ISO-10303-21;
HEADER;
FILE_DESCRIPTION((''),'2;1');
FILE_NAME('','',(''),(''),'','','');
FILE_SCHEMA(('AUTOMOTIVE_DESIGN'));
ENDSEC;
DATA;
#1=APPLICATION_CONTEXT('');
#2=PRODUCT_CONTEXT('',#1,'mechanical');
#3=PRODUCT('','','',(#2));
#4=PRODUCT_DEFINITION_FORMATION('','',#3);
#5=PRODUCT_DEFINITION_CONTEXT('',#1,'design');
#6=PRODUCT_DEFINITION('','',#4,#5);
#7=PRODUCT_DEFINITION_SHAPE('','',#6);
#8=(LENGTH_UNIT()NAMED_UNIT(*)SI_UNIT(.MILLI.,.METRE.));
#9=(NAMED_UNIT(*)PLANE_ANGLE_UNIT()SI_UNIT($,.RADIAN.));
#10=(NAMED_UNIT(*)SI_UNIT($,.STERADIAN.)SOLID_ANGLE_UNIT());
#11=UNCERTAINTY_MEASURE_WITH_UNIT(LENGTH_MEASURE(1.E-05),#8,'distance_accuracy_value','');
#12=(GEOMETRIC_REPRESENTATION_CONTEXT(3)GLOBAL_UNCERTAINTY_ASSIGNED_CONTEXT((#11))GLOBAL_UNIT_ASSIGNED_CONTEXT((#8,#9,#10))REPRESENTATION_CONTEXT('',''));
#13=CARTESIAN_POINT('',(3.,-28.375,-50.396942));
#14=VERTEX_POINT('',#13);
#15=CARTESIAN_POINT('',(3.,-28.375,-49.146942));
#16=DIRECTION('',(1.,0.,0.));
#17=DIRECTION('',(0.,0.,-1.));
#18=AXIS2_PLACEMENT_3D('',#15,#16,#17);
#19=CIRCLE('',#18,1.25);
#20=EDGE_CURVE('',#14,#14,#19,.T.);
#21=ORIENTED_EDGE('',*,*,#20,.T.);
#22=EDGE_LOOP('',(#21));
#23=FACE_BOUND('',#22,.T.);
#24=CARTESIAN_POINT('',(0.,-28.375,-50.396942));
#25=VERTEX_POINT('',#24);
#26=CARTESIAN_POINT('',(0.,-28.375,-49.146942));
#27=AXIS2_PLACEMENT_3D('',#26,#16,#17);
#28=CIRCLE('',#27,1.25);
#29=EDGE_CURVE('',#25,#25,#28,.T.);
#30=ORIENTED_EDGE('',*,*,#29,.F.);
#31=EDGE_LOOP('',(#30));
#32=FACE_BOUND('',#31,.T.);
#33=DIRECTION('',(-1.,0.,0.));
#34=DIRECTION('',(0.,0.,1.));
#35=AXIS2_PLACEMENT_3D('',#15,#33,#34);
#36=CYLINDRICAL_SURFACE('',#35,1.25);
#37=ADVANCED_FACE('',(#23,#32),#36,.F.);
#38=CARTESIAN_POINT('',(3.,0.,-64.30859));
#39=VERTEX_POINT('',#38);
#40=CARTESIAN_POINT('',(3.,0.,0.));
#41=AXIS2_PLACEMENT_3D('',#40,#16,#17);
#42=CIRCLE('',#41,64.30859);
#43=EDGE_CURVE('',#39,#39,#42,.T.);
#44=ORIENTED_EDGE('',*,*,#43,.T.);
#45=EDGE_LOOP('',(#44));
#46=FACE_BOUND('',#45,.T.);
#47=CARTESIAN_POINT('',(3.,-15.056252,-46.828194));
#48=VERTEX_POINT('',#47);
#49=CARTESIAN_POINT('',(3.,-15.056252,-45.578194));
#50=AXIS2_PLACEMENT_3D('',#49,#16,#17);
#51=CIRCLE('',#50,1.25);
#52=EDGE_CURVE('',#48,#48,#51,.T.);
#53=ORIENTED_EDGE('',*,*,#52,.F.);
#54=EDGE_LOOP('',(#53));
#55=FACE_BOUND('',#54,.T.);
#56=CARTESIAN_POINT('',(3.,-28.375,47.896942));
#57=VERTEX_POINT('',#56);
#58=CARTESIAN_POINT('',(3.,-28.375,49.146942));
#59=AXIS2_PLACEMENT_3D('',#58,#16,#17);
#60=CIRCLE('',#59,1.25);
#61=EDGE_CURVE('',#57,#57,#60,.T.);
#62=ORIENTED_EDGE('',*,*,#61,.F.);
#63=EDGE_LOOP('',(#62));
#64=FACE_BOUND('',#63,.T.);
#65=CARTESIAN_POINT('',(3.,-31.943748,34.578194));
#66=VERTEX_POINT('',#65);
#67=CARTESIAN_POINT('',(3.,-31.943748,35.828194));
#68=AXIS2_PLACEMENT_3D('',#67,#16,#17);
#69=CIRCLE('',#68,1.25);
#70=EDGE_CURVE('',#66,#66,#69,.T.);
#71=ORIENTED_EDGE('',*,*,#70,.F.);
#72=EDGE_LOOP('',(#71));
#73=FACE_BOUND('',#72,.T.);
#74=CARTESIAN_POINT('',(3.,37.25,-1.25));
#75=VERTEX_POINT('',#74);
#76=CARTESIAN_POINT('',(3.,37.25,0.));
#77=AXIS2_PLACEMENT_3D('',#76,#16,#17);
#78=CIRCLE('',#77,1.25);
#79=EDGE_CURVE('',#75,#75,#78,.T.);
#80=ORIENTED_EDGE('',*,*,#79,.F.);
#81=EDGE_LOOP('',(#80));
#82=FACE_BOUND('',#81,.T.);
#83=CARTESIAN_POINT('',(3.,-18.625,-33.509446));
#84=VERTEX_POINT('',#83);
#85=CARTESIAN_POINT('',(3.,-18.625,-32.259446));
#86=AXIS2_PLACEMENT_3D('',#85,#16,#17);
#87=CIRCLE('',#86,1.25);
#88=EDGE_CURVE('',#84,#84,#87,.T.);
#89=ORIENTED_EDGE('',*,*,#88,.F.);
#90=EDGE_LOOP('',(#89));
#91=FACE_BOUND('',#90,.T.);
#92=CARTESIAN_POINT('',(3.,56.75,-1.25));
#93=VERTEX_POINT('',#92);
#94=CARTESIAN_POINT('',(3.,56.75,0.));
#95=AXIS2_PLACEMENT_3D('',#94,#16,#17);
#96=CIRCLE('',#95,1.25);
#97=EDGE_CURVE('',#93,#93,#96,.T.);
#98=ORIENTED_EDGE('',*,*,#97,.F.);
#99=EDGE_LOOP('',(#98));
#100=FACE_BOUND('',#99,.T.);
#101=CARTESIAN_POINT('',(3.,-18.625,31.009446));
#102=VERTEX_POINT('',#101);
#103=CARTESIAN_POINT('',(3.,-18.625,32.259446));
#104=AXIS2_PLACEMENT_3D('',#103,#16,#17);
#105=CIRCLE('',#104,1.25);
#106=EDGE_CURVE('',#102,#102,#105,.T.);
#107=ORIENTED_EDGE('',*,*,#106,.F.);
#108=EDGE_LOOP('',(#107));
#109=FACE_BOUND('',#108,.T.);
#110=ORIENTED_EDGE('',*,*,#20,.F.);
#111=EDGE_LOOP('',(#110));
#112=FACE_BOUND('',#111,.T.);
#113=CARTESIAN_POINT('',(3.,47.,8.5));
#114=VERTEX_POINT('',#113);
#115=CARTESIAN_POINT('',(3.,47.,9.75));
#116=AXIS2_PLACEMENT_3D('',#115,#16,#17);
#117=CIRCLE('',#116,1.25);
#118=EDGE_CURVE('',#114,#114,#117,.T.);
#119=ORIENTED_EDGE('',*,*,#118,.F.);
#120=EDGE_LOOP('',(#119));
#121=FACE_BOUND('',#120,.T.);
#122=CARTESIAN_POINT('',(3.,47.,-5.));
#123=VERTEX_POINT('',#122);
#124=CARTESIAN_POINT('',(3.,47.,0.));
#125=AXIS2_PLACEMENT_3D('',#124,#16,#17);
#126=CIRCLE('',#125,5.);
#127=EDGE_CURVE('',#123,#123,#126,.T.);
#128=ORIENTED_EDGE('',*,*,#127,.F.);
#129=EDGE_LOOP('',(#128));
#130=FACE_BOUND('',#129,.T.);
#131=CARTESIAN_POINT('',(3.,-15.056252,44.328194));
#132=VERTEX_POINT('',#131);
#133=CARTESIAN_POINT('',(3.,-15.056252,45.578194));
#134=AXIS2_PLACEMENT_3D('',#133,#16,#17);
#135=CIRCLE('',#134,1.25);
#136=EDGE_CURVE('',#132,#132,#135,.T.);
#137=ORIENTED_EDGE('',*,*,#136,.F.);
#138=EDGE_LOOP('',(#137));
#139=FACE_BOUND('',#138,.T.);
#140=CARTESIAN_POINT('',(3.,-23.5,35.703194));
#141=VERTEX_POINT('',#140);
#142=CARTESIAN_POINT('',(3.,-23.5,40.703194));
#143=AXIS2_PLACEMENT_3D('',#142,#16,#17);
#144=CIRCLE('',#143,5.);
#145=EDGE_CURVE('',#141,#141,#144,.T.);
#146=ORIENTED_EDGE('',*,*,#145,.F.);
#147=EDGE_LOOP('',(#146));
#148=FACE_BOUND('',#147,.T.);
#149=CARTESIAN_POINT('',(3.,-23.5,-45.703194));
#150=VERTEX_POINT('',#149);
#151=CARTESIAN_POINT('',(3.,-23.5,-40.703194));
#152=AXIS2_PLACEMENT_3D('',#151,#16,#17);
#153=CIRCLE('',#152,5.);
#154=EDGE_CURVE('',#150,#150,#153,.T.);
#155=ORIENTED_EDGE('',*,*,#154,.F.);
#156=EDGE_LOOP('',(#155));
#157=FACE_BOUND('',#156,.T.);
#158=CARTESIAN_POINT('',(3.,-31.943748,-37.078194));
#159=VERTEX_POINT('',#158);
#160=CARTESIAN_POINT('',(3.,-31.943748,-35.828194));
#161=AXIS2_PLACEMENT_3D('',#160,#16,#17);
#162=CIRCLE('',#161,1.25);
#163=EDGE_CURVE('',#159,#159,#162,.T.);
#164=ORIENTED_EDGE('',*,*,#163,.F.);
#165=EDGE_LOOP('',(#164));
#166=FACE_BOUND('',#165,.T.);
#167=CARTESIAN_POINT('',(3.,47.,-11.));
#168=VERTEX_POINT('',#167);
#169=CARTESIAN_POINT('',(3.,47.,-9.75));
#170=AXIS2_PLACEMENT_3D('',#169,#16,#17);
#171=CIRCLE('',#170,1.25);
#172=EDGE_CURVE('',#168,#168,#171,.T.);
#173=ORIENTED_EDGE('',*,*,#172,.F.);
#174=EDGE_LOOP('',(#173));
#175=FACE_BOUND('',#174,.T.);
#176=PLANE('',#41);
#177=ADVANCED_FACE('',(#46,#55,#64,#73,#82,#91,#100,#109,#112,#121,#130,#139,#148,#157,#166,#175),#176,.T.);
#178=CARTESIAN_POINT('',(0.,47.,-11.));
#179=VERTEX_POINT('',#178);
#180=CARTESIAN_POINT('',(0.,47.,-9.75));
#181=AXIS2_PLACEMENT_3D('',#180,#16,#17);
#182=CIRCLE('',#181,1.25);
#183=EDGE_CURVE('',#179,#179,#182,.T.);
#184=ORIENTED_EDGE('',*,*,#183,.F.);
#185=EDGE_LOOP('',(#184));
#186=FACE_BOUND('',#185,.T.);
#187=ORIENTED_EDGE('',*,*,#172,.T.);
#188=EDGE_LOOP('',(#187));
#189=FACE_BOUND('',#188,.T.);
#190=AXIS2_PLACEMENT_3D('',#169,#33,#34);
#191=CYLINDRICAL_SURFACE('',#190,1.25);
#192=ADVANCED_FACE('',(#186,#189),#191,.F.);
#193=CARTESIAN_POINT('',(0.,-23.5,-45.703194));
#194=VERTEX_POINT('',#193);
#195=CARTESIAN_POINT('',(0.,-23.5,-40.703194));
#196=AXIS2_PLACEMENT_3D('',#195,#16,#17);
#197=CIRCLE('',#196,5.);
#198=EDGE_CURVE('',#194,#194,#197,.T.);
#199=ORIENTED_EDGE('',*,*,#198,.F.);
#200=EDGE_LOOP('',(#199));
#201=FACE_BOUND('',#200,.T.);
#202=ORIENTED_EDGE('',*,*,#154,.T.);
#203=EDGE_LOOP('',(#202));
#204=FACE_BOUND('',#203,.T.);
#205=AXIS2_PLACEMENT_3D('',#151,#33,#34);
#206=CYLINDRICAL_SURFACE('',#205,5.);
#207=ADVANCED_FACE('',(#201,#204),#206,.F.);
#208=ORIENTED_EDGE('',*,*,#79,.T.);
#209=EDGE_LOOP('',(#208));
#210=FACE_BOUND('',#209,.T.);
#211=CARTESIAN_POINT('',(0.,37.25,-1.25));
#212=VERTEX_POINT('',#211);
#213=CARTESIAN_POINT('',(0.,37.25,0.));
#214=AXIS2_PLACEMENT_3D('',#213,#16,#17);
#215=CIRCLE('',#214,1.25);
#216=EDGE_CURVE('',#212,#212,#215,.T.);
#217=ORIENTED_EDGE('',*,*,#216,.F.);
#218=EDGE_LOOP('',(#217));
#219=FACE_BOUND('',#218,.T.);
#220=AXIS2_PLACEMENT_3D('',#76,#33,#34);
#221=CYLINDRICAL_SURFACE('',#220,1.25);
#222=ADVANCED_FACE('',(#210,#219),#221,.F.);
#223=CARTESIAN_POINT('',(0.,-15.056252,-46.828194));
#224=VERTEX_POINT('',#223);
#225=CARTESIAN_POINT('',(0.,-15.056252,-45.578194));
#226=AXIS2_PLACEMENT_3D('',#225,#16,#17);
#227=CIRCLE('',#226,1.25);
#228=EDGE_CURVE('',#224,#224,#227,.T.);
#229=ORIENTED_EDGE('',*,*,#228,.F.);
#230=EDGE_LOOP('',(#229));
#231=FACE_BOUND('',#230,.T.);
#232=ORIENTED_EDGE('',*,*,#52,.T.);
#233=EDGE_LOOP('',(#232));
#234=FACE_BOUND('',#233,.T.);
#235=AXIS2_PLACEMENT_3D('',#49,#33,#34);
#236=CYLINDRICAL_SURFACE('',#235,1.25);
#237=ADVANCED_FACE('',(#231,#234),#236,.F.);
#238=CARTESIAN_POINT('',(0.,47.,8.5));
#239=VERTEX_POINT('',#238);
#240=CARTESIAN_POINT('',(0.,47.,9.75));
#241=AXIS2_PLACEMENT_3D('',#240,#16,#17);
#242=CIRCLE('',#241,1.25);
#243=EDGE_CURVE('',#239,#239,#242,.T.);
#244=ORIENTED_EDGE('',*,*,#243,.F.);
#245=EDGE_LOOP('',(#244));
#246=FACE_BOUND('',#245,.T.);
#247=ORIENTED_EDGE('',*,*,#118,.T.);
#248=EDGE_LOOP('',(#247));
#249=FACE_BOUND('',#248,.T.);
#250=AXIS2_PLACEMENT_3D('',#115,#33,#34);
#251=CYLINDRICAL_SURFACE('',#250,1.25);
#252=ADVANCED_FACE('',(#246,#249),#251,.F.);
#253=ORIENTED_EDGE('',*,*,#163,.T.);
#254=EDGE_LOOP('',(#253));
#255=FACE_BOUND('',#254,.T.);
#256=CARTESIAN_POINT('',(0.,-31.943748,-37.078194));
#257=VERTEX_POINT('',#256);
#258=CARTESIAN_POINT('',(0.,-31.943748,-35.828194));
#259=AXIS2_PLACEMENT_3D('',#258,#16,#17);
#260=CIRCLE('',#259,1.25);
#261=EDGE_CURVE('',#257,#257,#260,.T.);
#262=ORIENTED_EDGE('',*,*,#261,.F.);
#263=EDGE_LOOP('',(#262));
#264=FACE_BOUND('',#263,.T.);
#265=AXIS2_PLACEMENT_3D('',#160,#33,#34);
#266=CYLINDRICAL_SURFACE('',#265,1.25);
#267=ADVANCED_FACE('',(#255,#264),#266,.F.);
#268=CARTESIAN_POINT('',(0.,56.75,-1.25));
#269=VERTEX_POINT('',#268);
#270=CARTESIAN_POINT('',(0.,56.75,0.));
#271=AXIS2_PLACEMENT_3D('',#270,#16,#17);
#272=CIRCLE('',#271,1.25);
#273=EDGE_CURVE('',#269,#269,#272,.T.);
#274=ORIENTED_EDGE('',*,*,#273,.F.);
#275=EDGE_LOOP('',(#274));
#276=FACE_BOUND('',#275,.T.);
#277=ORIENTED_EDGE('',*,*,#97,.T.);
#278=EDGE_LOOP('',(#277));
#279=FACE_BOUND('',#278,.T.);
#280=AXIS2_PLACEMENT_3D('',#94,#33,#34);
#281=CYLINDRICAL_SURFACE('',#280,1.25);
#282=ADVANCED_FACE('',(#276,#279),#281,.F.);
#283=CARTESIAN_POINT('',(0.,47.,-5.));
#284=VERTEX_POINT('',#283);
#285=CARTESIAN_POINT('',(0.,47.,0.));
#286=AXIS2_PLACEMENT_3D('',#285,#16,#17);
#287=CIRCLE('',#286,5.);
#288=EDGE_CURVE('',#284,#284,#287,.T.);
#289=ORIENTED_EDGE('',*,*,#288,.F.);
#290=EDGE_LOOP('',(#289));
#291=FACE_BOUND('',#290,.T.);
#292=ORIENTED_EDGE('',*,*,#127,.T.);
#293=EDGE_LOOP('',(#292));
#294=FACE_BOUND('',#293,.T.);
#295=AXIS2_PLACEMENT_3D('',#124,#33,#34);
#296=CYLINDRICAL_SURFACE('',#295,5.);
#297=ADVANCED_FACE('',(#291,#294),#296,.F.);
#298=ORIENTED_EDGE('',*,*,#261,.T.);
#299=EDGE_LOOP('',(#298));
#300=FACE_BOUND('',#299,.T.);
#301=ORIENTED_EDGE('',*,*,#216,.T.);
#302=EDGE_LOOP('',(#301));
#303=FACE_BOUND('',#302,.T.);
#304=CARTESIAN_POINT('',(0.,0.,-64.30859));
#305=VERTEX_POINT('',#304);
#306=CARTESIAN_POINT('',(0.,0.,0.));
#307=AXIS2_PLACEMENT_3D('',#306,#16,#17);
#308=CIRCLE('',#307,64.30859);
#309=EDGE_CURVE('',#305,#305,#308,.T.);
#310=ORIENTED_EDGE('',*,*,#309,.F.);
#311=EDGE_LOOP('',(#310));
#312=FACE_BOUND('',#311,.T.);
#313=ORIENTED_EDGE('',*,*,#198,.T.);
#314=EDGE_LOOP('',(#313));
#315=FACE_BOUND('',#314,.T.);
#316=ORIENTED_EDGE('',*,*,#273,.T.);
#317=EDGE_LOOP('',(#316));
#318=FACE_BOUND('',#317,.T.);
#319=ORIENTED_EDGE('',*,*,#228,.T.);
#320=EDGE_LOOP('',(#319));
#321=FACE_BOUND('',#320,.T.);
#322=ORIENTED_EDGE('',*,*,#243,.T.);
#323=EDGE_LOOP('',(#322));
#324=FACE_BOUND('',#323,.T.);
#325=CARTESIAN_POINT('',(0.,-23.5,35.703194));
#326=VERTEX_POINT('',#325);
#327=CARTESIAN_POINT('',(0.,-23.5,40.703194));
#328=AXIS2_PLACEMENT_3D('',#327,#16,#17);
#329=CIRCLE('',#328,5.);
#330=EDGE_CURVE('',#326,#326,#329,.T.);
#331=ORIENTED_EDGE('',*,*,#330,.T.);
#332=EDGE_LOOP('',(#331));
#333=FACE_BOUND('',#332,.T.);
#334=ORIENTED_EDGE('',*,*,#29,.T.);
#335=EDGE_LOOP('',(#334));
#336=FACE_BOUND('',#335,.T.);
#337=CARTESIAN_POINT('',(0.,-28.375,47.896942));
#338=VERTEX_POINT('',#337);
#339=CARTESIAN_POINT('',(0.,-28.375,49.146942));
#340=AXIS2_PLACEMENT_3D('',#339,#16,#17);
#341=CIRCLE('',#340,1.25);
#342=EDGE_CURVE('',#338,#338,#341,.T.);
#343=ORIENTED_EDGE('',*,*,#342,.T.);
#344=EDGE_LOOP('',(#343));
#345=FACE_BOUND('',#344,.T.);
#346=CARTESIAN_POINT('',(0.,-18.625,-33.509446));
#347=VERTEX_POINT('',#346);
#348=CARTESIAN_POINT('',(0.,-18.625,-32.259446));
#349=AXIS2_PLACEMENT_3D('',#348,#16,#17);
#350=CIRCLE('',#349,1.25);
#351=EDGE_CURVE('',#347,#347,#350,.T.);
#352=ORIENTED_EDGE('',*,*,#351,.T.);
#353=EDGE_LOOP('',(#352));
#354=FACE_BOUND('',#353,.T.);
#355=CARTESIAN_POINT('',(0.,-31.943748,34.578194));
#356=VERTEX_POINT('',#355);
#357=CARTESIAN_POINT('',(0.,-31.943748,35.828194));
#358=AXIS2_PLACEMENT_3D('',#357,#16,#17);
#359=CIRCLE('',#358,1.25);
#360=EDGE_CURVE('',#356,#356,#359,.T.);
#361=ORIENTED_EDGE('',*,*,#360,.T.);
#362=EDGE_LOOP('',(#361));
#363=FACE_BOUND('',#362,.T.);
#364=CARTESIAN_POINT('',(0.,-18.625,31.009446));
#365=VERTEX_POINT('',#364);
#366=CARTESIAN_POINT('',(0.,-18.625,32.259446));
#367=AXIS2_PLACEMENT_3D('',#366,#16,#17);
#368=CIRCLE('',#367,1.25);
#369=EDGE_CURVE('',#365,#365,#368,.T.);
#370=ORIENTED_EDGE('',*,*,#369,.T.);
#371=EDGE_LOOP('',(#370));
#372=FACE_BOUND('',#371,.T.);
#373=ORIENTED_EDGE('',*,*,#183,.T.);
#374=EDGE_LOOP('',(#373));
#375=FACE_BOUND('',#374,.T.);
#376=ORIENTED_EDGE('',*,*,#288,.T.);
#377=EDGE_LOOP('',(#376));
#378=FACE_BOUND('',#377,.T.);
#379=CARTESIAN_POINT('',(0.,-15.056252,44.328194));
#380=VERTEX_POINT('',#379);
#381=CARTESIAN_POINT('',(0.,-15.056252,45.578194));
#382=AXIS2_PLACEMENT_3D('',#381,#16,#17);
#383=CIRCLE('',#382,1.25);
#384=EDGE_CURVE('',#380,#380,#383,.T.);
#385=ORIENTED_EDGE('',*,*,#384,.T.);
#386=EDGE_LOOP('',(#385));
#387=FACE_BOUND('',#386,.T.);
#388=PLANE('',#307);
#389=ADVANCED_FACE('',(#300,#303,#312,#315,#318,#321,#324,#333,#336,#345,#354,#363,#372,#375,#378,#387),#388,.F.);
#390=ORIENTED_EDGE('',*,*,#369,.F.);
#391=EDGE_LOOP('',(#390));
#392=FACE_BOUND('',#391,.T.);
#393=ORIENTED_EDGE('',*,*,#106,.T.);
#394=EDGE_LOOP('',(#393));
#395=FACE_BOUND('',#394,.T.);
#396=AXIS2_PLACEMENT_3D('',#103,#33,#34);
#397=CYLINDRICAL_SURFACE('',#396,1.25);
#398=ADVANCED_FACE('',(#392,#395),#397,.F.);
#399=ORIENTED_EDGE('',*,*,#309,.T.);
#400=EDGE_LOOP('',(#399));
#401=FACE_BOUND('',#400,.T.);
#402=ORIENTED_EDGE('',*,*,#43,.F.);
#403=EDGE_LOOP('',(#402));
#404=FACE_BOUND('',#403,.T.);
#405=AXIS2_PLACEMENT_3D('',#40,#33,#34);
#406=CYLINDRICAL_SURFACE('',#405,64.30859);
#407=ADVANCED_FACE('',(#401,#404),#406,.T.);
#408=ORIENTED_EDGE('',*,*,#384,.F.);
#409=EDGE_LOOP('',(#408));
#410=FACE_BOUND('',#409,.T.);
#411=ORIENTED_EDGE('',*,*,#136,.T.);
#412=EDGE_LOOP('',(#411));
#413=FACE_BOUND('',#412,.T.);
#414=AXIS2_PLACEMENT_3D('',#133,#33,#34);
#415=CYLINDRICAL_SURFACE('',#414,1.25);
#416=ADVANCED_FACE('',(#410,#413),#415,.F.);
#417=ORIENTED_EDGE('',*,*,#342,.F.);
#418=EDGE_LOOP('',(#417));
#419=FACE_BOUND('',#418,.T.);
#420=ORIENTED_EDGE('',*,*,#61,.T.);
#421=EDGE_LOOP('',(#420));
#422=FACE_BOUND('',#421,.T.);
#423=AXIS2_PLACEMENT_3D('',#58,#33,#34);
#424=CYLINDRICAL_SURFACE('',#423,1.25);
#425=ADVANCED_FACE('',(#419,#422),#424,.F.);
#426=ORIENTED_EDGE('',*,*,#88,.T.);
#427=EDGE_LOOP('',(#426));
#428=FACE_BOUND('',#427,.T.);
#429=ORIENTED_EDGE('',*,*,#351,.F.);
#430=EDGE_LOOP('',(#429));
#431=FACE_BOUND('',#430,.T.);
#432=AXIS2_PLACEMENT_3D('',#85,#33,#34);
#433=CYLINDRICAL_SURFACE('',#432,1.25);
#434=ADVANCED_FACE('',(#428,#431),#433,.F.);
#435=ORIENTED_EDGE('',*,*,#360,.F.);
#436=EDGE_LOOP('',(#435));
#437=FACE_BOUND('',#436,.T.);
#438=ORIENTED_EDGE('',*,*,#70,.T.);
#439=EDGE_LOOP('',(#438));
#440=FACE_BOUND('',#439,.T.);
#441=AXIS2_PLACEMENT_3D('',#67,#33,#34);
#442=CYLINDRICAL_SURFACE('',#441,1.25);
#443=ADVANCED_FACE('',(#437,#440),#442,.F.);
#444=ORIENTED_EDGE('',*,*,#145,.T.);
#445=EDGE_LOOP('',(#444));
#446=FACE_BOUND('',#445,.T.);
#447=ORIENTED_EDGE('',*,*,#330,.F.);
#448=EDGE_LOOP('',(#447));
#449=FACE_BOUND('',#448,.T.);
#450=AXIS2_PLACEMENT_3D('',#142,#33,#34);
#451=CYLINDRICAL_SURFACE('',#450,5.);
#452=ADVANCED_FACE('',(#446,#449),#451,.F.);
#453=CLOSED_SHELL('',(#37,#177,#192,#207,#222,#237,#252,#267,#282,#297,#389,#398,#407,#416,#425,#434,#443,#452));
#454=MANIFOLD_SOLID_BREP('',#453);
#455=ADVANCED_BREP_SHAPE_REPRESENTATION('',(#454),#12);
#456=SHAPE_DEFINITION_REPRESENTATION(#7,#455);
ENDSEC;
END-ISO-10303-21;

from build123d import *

# Parameters (mm, degrees)
SKETCH1_R           = 64.308589671
SKETCH1_R_2         = 1.25
SKETCH1_R_3         = 5
BOSS_EXTRUDE2_DEPTH = 3


with BuildPart() as part:
    # Sketch1 → Boss-Extrude2 (new body)
    with BuildSketch(Plane(origin=(0, 0, 0), x_dir=(0, 0, -1), z_dir=(1, 0, 0))):
        Circle(SKETCH1_R)
        with Locations((49.146941665, -28.375)):
            Circle(SKETCH1_R_2, mode=Mode.SUBTRACT)
        with Locations((0, 47)):
            Circle(SKETCH1_R_3, mode=Mode.SUBTRACT)
        with Locations((45.578193978, -15.056252313)):
            Circle(SKETCH1_R_2, mode=Mode.SUBTRACT)
        with Locations((40.703193978, -23.5)):
            Circle(SKETCH1_R_3, mode=Mode.SUBTRACT)
        with Locations((0, 56.75)):
            Circle(SKETCH1_R_2, mode=Mode.SUBTRACT)
        with Locations((9.75, 47)):
            Circle(SKETCH1_R_2, mode=Mode.SUBTRACT)
        with Locations((0, 37.25)):
            Circle(SKETCH1_R_2, mode=Mode.SUBTRACT)
        with Locations((-9.75, 47)):
            Circle(SKETCH1_R_2, mode=Mode.SUBTRACT)
        with Locations((35.828193978, -31.943747687)):
            Circle(SKETCH1_R_2, mode=Mode.SUBTRACT)
        with Locations((32.259446291, -18.625)):
            Circle(SKETCH1_R_2, mode=Mode.SUBTRACT)
        with Locations((-49.146941665, -28.375)):
            Circle(SKETCH1_R_2, mode=Mode.SUBTRACT)
        with Locations((-35.828193978, -31.943747687)):
            Circle(SKETCH1_R_2, mode=Mode.SUBTRACT)
        with Locations((-40.703193978, -23.5)):
            Circle(SKETCH1_R_3, mode=Mode.SUBTRACT)
        with Locations((-45.578193978, -15.056252313)):
            Circle(SKETCH1_R_2, mode=Mode.SUBTRACT)
        with Locations((-32.259446291, -18.625)):
            Circle(SKETCH1_R_2, mode=Mode.SUBTRACT)
    extrude(amount=BOSS_EXTRUDE2_DEPTH)


solid = part.part
